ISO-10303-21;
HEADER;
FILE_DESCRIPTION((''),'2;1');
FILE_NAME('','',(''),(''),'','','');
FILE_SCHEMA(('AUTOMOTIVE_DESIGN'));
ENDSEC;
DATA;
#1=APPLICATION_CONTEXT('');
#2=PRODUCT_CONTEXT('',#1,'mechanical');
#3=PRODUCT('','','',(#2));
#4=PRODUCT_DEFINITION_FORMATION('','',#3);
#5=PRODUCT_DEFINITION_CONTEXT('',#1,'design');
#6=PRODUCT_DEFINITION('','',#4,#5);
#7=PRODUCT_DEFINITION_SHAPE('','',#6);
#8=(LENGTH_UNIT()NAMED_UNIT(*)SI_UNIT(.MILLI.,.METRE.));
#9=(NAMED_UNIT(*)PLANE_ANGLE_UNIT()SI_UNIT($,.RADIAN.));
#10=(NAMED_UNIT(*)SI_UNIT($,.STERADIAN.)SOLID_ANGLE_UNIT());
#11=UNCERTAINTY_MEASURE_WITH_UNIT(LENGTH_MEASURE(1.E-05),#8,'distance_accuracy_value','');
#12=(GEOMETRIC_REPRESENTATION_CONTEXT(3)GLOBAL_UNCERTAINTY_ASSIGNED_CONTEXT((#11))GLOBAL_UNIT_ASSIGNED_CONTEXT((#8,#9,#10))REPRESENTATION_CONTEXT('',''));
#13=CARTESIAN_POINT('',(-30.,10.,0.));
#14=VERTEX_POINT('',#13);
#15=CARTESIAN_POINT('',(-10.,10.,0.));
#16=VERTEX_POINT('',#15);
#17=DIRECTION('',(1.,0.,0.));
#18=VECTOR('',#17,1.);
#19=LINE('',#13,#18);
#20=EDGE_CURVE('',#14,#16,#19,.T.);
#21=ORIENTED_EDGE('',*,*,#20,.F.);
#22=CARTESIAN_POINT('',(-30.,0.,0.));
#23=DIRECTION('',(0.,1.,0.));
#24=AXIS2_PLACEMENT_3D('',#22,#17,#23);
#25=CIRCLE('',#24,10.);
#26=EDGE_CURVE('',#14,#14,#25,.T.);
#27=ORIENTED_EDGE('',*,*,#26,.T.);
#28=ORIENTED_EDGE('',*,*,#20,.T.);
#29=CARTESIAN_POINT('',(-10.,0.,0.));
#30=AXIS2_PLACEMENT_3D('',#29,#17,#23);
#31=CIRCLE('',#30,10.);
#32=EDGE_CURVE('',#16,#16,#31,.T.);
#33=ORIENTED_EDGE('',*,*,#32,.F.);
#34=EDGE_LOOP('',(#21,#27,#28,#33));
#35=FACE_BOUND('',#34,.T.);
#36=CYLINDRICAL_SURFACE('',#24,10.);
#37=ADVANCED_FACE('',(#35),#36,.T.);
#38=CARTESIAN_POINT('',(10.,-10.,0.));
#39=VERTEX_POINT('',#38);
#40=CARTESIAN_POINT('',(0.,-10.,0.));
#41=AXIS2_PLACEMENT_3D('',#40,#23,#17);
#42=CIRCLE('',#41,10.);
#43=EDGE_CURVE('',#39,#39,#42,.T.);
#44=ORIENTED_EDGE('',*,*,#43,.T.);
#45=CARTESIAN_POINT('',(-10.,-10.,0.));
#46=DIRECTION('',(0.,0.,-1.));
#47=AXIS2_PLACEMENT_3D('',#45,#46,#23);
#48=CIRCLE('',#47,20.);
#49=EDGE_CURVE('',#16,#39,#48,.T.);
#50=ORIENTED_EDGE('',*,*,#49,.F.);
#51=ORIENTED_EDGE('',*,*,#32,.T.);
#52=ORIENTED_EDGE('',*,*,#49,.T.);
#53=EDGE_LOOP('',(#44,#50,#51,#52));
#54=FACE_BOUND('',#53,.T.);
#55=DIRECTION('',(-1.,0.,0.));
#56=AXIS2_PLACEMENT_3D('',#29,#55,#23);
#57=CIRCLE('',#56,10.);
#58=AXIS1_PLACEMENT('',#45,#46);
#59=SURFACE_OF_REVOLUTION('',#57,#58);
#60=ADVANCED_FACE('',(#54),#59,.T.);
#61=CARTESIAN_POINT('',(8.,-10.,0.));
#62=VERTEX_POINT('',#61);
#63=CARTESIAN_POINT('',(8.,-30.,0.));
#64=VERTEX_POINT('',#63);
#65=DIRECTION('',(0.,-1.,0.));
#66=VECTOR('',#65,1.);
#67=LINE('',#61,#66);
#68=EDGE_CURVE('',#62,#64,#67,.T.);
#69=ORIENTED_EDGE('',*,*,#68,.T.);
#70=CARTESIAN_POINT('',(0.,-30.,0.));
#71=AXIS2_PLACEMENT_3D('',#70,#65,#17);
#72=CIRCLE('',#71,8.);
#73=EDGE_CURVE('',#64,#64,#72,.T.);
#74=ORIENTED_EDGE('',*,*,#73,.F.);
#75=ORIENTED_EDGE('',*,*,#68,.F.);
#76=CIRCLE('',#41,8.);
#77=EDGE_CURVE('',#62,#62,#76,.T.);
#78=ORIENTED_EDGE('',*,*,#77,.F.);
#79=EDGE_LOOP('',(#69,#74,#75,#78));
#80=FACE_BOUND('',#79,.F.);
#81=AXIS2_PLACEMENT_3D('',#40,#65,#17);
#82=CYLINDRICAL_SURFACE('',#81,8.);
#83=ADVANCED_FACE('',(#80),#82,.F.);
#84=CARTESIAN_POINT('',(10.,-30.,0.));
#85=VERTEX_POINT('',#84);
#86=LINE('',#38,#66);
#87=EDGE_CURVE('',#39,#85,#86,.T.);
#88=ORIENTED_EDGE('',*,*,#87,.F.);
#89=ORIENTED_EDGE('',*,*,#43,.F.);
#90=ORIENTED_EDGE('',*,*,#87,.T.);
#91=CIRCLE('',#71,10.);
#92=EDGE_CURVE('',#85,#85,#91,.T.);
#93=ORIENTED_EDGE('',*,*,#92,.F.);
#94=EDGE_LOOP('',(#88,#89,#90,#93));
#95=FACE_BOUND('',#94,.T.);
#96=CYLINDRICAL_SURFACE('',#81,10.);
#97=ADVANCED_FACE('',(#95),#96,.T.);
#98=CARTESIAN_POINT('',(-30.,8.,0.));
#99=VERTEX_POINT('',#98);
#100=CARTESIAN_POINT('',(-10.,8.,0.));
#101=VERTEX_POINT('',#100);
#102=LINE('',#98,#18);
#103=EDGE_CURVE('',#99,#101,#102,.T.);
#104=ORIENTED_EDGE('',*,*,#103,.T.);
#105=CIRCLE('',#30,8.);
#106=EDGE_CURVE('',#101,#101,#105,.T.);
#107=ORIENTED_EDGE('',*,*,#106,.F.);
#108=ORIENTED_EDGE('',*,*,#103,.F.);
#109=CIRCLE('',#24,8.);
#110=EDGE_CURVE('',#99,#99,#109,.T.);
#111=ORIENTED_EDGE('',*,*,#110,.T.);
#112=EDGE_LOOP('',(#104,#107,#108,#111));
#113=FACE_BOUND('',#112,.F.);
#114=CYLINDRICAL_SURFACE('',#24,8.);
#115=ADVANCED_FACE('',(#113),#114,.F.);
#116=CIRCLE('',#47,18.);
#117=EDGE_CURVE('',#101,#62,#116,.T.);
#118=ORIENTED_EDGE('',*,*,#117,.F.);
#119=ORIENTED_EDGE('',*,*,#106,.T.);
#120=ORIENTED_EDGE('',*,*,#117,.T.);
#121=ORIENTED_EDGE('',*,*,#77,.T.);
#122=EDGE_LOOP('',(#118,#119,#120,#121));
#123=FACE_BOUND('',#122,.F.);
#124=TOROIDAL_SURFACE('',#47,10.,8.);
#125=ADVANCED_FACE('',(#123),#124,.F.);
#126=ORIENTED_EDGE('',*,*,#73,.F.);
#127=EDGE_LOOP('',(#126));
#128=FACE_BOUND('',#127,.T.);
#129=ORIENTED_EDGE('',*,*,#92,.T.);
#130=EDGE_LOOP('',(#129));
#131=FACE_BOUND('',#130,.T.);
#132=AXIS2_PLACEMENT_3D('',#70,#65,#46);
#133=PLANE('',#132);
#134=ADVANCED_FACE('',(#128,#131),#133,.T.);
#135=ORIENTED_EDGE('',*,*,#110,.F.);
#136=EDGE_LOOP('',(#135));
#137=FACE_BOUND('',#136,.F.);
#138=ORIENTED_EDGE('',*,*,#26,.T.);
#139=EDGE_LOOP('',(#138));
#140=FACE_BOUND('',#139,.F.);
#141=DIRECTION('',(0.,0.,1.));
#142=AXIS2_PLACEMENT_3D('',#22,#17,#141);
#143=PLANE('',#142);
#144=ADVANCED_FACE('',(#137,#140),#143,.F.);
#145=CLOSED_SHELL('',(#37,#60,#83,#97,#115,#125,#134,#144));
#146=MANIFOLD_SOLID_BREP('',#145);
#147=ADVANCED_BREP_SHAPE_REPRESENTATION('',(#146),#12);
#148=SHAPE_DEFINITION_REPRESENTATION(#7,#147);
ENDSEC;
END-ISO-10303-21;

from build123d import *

# Parameters (mm, degrees)
F2_R   = 10
F2_R_2 = 8


with BuildPart() as f3:
    # F3: sweep along a path in F0
    with BuildLine(Plane.XY) as f3_path:
        Line((-30, 0), (-10, 0))
        ThreePointArc((-10, 0), (-2.9289321881, -2.9289321881), (0, -10))
        Line((0, -10), (0, -30))
    # F2 (on offset) → F3 (sweep)
    with BuildSketch(Plane.YZ.offset(-25)):
        Circle(F2_R)
        Circle(F2_R_2, mode=Mode.SUBTRACT)
    sweep(path=f3_path.line)


solid = f3.part
